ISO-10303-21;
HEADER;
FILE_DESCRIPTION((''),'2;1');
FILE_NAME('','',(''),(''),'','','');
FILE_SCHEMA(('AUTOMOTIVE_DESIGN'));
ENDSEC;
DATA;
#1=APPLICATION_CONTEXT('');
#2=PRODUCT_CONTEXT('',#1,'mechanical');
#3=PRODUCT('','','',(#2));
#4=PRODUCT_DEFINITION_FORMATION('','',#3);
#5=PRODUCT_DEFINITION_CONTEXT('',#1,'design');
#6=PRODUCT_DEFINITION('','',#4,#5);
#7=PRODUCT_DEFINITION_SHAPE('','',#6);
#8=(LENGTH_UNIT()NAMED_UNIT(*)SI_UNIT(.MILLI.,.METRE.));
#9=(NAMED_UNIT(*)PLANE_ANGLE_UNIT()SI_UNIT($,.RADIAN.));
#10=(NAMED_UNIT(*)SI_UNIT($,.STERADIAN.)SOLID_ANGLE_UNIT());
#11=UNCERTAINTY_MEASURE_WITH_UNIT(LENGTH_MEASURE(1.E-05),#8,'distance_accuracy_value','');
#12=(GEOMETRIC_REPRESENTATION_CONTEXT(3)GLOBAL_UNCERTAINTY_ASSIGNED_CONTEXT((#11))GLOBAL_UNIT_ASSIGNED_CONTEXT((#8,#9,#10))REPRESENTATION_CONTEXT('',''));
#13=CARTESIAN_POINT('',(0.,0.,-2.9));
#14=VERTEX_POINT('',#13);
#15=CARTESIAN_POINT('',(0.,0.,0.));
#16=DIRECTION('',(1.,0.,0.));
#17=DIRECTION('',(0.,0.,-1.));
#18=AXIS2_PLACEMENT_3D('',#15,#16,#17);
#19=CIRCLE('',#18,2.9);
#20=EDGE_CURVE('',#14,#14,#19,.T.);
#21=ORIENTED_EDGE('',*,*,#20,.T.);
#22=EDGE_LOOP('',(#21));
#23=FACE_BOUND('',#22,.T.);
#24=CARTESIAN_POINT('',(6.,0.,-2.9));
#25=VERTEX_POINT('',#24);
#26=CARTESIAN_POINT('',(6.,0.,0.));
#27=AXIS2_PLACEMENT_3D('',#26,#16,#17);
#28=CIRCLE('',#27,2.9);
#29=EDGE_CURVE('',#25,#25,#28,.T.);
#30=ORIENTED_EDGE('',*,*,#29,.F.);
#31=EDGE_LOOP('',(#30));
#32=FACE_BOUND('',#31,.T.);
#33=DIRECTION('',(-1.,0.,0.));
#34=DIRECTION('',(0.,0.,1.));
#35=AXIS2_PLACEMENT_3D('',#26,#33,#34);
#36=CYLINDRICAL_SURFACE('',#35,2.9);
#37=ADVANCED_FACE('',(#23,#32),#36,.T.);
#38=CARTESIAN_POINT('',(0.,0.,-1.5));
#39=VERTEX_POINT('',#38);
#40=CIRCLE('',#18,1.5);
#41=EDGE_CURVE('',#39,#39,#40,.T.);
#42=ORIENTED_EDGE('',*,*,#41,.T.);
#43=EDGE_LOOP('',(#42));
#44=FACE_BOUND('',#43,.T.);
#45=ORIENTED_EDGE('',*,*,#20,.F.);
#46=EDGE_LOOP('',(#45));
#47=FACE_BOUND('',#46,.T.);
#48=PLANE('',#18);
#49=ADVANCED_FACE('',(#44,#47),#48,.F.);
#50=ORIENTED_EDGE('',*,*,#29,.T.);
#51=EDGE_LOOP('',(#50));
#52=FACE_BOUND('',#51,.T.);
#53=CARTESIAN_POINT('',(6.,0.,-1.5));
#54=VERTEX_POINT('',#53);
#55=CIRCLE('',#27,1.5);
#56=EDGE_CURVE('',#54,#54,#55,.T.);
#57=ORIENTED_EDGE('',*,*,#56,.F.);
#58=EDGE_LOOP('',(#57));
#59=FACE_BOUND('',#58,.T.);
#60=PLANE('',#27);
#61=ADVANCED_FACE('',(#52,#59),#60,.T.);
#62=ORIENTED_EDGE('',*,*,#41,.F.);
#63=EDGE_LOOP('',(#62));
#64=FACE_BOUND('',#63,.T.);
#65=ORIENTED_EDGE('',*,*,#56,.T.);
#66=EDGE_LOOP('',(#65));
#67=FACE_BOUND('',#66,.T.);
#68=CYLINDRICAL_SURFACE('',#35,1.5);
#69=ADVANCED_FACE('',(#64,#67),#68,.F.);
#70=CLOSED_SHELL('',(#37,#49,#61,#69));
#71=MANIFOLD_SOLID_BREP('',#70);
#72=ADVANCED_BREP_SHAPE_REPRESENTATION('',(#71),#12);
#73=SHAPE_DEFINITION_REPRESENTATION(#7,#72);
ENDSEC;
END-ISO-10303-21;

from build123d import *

# Parameters (mm, degrees)
ESQUISSE1_R      = 2.9
ESQUISSE1_R_2    = 1.5
EXTRUSION1_DEPTH = 6


with BuildPart() as part:
    # Esquisse1 → Extrusion1 (new body)
    with BuildSketch(Plane(origin=(0, 0, 0), x_dir=(0, 0, -1), z_dir=(1, 0, 0))):
        Circle(ESQUISSE1_R)
        Circle(ESQUISSE1_R_2, mode=Mode.SUBTRACT)
    extrude(amount=EXTRUSION1_DEPTH)


solid = part.part
